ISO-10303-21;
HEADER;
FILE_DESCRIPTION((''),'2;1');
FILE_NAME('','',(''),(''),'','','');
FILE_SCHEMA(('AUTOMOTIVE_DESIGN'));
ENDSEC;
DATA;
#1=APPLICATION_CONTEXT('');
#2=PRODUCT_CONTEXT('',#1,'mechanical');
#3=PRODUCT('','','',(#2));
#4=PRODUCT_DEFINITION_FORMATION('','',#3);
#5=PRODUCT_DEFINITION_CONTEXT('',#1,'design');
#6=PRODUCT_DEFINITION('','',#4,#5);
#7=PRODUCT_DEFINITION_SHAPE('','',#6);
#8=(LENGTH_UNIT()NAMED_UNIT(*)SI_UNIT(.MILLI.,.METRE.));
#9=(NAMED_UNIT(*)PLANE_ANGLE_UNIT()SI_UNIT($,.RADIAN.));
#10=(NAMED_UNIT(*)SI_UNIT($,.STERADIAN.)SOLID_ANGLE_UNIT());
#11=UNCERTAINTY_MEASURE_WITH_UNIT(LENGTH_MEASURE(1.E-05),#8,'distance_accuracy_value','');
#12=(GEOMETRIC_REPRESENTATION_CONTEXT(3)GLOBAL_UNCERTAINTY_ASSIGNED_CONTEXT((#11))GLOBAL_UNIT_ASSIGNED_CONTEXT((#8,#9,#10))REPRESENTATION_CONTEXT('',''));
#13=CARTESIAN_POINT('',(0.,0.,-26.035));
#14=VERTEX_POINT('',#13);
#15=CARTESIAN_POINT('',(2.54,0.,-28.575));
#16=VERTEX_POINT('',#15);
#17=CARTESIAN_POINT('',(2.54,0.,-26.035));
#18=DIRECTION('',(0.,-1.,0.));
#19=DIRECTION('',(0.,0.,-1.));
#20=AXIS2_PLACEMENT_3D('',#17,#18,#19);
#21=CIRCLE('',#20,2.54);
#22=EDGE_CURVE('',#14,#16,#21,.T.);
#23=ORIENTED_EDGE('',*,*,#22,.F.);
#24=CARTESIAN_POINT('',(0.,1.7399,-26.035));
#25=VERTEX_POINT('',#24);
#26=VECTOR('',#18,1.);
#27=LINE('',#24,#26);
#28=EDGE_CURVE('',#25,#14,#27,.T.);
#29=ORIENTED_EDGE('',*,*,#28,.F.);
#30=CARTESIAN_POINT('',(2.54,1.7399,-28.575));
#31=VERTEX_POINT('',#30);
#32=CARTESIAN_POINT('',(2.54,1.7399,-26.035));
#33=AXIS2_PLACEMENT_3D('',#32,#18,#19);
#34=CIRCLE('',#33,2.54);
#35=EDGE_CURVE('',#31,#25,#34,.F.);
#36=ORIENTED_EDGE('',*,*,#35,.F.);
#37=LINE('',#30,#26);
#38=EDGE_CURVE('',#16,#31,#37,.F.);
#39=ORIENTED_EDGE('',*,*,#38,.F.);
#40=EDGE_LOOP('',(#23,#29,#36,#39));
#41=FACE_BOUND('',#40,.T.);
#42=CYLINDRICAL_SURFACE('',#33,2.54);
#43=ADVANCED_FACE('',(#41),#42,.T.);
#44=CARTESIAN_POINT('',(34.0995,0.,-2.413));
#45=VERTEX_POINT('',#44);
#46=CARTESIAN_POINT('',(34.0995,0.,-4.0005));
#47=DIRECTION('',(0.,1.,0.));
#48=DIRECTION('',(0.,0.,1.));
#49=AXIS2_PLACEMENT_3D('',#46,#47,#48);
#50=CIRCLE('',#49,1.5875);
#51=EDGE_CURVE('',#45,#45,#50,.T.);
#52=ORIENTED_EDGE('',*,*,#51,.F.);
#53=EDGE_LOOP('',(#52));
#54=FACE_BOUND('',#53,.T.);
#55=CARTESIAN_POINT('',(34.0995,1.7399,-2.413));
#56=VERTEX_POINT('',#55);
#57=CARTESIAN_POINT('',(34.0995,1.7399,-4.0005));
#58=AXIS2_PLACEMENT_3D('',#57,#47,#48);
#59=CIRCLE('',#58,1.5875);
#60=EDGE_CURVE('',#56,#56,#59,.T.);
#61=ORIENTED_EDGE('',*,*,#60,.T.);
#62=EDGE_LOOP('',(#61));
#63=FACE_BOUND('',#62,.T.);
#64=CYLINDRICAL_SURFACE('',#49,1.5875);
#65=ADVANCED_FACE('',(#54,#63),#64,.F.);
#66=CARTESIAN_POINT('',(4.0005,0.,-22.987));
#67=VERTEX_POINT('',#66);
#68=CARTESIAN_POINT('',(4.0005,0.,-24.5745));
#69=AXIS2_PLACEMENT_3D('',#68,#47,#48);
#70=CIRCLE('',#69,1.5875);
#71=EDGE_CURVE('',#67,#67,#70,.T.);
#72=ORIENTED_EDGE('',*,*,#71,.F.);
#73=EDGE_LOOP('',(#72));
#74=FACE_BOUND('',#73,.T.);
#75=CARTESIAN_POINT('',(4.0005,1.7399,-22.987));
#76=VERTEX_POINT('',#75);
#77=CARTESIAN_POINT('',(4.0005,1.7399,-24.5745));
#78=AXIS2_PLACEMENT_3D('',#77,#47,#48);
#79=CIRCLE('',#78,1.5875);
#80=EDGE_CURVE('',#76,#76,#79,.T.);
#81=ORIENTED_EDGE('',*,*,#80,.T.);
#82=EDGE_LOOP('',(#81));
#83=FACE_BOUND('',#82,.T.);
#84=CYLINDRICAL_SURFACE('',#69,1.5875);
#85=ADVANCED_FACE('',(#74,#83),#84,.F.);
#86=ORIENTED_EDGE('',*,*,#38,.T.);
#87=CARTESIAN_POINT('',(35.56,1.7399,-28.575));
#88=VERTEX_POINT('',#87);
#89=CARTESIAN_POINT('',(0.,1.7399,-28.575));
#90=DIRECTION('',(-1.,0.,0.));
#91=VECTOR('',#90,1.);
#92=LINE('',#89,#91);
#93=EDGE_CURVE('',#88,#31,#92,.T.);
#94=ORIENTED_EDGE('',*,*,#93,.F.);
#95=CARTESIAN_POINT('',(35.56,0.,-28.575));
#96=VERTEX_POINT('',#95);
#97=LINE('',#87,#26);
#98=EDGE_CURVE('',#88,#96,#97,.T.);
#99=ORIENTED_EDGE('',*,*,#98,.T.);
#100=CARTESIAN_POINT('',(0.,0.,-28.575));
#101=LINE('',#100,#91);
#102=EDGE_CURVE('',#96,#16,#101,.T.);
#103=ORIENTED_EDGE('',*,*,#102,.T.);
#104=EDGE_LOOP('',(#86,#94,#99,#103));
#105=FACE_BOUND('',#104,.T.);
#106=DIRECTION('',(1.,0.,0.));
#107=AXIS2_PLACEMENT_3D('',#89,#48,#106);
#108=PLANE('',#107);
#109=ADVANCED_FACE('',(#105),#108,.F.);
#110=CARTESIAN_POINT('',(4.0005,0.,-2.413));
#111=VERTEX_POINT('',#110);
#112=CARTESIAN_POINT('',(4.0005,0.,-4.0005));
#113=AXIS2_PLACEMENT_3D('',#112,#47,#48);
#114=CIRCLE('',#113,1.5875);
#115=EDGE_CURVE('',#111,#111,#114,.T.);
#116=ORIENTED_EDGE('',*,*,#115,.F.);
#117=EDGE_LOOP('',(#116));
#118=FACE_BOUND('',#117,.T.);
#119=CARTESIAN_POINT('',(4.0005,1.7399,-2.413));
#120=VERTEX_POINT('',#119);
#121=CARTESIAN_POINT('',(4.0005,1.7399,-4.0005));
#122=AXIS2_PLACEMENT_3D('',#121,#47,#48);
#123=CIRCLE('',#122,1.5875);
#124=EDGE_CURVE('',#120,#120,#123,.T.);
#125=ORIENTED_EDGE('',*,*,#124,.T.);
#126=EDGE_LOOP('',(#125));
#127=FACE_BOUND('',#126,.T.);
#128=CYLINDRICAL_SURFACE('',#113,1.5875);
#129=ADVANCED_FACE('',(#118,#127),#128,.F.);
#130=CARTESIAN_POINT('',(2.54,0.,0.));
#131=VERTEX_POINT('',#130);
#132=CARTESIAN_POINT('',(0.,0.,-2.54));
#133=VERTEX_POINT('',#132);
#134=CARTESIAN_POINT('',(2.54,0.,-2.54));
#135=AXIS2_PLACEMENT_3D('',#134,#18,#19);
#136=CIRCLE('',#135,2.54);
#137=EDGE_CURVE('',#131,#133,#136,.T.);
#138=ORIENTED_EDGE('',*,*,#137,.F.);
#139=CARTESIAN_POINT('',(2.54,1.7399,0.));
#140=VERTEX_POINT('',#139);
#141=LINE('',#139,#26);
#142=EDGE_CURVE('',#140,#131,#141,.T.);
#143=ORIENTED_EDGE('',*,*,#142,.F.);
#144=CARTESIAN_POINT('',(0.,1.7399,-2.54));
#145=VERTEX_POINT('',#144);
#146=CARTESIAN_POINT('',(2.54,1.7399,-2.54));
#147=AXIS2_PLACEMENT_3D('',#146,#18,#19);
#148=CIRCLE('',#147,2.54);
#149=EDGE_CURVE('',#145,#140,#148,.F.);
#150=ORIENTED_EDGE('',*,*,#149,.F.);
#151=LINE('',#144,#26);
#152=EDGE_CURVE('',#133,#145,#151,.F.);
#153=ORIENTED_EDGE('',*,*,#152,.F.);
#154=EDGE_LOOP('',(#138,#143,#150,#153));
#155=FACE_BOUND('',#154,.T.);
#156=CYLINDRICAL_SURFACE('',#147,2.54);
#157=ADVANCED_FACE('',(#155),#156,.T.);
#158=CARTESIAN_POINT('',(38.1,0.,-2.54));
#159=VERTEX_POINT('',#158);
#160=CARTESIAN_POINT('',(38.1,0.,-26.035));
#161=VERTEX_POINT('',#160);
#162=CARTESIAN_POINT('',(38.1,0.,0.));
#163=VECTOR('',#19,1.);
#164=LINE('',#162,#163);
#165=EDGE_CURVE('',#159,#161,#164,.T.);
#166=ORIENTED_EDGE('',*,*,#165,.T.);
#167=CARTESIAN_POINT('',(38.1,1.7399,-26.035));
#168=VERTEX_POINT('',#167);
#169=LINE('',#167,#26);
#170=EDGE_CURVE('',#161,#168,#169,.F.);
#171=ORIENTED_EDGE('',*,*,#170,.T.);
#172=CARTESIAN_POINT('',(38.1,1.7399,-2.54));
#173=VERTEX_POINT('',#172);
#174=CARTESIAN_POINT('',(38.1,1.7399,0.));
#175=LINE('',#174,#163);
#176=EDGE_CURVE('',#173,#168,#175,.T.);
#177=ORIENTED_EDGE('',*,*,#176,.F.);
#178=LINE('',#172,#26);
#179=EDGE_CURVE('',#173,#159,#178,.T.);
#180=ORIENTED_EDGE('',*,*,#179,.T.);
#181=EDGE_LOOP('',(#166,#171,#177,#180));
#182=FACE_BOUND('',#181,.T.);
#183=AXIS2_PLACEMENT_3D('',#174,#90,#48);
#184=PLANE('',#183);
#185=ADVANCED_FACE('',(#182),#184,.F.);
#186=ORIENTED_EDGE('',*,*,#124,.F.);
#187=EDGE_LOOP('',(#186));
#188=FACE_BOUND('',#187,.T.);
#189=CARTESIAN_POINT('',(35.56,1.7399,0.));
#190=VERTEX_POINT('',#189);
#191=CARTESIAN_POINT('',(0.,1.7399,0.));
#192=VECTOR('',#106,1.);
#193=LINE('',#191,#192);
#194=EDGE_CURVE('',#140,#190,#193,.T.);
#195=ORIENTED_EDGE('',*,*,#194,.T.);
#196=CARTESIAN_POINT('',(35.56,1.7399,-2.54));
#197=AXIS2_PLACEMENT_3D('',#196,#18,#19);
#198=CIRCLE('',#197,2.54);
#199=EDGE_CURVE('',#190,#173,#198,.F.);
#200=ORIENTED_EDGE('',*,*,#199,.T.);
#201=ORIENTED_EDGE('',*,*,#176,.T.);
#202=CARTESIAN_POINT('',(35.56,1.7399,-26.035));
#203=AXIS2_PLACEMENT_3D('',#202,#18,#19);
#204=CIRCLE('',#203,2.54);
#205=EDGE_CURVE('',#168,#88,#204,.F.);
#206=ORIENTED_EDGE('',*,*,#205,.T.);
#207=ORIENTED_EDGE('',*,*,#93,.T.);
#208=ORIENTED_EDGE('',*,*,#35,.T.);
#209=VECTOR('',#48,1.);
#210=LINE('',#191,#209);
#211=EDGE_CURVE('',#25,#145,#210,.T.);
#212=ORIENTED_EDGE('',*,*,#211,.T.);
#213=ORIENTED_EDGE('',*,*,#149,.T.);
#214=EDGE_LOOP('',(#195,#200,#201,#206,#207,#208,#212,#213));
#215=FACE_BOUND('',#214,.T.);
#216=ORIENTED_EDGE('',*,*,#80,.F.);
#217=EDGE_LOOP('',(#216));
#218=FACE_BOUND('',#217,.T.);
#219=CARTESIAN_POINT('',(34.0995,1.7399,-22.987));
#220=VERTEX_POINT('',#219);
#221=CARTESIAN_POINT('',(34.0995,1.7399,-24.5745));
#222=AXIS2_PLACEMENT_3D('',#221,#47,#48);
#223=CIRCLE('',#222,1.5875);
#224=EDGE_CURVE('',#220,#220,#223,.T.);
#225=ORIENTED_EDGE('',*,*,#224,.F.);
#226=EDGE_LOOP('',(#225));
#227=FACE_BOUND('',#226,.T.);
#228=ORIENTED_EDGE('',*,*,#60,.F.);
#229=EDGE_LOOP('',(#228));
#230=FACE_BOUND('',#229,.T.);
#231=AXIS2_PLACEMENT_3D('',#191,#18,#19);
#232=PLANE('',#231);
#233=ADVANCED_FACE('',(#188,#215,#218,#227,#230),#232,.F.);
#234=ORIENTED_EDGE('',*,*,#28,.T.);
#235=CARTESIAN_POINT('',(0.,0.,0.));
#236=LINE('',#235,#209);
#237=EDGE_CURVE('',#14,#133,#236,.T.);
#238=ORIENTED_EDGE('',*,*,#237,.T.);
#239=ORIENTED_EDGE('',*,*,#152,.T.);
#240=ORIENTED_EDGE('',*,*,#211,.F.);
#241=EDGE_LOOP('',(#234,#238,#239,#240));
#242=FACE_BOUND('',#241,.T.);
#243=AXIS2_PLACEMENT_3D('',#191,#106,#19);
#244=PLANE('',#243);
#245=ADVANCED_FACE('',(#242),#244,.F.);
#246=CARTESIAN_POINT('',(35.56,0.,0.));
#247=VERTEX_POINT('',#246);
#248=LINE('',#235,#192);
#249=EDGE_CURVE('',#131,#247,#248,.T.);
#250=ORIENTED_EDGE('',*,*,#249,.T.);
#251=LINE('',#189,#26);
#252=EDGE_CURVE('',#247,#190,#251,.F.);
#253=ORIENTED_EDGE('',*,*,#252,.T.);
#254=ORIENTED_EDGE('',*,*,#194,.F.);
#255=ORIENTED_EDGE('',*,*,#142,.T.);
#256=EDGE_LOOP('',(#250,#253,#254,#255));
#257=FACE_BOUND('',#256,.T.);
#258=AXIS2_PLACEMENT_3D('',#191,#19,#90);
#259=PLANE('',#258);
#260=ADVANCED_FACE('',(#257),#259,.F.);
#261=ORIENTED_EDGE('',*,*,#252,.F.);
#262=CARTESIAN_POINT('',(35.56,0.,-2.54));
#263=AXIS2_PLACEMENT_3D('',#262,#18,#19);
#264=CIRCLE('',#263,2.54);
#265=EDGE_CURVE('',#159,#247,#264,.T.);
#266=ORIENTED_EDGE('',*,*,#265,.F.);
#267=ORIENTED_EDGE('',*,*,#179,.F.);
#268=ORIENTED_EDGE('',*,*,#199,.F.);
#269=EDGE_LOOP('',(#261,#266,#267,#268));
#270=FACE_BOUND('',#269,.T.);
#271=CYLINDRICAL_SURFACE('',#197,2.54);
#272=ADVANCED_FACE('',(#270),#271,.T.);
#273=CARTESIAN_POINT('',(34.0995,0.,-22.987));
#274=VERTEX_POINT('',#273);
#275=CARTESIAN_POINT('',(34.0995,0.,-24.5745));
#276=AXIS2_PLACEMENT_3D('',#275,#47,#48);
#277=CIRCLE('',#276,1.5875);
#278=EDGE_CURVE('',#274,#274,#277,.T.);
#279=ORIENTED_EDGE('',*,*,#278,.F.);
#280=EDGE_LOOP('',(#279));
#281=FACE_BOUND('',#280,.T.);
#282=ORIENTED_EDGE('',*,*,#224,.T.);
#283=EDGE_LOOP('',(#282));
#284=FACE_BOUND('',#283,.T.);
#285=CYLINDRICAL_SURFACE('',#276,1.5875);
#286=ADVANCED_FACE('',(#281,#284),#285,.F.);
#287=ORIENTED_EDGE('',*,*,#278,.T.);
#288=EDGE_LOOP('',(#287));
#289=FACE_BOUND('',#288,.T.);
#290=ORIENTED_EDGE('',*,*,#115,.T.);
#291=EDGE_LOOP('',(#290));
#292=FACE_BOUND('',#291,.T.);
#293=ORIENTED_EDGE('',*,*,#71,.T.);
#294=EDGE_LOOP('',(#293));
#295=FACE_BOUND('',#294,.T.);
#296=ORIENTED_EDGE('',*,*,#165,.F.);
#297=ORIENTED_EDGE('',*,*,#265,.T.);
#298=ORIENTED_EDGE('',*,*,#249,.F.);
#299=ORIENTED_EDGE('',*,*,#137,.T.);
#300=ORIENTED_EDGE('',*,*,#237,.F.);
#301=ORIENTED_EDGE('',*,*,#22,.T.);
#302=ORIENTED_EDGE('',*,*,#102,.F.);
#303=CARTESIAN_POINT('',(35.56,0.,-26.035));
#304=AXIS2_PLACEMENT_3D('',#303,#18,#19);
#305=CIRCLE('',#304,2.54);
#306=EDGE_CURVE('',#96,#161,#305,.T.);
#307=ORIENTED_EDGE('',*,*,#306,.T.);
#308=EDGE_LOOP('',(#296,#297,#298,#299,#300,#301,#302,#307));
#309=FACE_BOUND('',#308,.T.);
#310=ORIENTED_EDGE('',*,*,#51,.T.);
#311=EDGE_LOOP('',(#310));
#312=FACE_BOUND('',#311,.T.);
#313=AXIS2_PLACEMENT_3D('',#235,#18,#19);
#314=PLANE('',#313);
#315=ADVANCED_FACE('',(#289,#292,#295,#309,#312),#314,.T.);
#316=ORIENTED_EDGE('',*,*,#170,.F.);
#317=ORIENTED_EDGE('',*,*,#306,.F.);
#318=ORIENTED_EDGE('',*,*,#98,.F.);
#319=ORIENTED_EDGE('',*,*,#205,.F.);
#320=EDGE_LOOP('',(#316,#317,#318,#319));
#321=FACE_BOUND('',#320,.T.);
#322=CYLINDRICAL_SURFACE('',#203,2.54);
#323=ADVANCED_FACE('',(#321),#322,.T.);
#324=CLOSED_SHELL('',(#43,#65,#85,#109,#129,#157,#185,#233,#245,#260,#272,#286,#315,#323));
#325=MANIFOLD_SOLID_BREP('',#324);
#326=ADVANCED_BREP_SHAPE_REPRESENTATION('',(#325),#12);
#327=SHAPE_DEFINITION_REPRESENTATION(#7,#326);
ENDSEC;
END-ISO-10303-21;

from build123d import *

# Parameters (mm, degrees)
SKETCH1_W           = 38.1
SKETCH1_H           = 28.575
BOSS_EXTRUDE1_DEPTH = 1.7399
SKETCH2_R           = 1.5875
CUT_EXTRUDE1_DEPTH  = 1.7399
FILLET1_R           = 2.54


with BuildPart() as part:
    # Sketch1 → Boss-Extrude1 (new body)
    with BuildSketch(Plane(origin=(0, 0, 0), x_dir=(1, 0, 0), z_dir=(0, 1, 0))):
        with Locations((19.05, 14.2875)):
            Rectangle(SKETCH1_W, SKETCH1_H)
    extrude(amount=BOSS_EXTRUDE1_DEPTH)

    # Sketch2 → Cut-Extrude1 (cut)
    with BuildSketch(Plane(origin=(0, 1.7399, 0), x_dir=(1, 0, 0), z_dir=(0, 1, 0))):
        with Locations((4.0005, 4.0005)):
            Circle(SKETCH2_R)
        with Locations((34.0995, 4.0005)):
            Circle(SKETCH2_R)
        with Locations((4.0005, 24.5745)):
            Circle(SKETCH2_R)
        with Locations((34.0995, 24.5745)):
            Circle(SKETCH2_R)
    extrude(amount=-CUT_EXTRUDE1_DEPTH, mode=Mode.SUBTRACT)

    # Fillet1
    fillet1_edges = [part.edges().sort_by_distance(p)[0] for p in [
        (38.1, 0.86995, -28.575),
        (38.1, 0.86995, 0),
        (0, 0.86995, 0),
        (0, 0.86995, -28.575),
    ]]
    fillet(fillet1_edges, radius=FILLET1_R)


solid = part.part
